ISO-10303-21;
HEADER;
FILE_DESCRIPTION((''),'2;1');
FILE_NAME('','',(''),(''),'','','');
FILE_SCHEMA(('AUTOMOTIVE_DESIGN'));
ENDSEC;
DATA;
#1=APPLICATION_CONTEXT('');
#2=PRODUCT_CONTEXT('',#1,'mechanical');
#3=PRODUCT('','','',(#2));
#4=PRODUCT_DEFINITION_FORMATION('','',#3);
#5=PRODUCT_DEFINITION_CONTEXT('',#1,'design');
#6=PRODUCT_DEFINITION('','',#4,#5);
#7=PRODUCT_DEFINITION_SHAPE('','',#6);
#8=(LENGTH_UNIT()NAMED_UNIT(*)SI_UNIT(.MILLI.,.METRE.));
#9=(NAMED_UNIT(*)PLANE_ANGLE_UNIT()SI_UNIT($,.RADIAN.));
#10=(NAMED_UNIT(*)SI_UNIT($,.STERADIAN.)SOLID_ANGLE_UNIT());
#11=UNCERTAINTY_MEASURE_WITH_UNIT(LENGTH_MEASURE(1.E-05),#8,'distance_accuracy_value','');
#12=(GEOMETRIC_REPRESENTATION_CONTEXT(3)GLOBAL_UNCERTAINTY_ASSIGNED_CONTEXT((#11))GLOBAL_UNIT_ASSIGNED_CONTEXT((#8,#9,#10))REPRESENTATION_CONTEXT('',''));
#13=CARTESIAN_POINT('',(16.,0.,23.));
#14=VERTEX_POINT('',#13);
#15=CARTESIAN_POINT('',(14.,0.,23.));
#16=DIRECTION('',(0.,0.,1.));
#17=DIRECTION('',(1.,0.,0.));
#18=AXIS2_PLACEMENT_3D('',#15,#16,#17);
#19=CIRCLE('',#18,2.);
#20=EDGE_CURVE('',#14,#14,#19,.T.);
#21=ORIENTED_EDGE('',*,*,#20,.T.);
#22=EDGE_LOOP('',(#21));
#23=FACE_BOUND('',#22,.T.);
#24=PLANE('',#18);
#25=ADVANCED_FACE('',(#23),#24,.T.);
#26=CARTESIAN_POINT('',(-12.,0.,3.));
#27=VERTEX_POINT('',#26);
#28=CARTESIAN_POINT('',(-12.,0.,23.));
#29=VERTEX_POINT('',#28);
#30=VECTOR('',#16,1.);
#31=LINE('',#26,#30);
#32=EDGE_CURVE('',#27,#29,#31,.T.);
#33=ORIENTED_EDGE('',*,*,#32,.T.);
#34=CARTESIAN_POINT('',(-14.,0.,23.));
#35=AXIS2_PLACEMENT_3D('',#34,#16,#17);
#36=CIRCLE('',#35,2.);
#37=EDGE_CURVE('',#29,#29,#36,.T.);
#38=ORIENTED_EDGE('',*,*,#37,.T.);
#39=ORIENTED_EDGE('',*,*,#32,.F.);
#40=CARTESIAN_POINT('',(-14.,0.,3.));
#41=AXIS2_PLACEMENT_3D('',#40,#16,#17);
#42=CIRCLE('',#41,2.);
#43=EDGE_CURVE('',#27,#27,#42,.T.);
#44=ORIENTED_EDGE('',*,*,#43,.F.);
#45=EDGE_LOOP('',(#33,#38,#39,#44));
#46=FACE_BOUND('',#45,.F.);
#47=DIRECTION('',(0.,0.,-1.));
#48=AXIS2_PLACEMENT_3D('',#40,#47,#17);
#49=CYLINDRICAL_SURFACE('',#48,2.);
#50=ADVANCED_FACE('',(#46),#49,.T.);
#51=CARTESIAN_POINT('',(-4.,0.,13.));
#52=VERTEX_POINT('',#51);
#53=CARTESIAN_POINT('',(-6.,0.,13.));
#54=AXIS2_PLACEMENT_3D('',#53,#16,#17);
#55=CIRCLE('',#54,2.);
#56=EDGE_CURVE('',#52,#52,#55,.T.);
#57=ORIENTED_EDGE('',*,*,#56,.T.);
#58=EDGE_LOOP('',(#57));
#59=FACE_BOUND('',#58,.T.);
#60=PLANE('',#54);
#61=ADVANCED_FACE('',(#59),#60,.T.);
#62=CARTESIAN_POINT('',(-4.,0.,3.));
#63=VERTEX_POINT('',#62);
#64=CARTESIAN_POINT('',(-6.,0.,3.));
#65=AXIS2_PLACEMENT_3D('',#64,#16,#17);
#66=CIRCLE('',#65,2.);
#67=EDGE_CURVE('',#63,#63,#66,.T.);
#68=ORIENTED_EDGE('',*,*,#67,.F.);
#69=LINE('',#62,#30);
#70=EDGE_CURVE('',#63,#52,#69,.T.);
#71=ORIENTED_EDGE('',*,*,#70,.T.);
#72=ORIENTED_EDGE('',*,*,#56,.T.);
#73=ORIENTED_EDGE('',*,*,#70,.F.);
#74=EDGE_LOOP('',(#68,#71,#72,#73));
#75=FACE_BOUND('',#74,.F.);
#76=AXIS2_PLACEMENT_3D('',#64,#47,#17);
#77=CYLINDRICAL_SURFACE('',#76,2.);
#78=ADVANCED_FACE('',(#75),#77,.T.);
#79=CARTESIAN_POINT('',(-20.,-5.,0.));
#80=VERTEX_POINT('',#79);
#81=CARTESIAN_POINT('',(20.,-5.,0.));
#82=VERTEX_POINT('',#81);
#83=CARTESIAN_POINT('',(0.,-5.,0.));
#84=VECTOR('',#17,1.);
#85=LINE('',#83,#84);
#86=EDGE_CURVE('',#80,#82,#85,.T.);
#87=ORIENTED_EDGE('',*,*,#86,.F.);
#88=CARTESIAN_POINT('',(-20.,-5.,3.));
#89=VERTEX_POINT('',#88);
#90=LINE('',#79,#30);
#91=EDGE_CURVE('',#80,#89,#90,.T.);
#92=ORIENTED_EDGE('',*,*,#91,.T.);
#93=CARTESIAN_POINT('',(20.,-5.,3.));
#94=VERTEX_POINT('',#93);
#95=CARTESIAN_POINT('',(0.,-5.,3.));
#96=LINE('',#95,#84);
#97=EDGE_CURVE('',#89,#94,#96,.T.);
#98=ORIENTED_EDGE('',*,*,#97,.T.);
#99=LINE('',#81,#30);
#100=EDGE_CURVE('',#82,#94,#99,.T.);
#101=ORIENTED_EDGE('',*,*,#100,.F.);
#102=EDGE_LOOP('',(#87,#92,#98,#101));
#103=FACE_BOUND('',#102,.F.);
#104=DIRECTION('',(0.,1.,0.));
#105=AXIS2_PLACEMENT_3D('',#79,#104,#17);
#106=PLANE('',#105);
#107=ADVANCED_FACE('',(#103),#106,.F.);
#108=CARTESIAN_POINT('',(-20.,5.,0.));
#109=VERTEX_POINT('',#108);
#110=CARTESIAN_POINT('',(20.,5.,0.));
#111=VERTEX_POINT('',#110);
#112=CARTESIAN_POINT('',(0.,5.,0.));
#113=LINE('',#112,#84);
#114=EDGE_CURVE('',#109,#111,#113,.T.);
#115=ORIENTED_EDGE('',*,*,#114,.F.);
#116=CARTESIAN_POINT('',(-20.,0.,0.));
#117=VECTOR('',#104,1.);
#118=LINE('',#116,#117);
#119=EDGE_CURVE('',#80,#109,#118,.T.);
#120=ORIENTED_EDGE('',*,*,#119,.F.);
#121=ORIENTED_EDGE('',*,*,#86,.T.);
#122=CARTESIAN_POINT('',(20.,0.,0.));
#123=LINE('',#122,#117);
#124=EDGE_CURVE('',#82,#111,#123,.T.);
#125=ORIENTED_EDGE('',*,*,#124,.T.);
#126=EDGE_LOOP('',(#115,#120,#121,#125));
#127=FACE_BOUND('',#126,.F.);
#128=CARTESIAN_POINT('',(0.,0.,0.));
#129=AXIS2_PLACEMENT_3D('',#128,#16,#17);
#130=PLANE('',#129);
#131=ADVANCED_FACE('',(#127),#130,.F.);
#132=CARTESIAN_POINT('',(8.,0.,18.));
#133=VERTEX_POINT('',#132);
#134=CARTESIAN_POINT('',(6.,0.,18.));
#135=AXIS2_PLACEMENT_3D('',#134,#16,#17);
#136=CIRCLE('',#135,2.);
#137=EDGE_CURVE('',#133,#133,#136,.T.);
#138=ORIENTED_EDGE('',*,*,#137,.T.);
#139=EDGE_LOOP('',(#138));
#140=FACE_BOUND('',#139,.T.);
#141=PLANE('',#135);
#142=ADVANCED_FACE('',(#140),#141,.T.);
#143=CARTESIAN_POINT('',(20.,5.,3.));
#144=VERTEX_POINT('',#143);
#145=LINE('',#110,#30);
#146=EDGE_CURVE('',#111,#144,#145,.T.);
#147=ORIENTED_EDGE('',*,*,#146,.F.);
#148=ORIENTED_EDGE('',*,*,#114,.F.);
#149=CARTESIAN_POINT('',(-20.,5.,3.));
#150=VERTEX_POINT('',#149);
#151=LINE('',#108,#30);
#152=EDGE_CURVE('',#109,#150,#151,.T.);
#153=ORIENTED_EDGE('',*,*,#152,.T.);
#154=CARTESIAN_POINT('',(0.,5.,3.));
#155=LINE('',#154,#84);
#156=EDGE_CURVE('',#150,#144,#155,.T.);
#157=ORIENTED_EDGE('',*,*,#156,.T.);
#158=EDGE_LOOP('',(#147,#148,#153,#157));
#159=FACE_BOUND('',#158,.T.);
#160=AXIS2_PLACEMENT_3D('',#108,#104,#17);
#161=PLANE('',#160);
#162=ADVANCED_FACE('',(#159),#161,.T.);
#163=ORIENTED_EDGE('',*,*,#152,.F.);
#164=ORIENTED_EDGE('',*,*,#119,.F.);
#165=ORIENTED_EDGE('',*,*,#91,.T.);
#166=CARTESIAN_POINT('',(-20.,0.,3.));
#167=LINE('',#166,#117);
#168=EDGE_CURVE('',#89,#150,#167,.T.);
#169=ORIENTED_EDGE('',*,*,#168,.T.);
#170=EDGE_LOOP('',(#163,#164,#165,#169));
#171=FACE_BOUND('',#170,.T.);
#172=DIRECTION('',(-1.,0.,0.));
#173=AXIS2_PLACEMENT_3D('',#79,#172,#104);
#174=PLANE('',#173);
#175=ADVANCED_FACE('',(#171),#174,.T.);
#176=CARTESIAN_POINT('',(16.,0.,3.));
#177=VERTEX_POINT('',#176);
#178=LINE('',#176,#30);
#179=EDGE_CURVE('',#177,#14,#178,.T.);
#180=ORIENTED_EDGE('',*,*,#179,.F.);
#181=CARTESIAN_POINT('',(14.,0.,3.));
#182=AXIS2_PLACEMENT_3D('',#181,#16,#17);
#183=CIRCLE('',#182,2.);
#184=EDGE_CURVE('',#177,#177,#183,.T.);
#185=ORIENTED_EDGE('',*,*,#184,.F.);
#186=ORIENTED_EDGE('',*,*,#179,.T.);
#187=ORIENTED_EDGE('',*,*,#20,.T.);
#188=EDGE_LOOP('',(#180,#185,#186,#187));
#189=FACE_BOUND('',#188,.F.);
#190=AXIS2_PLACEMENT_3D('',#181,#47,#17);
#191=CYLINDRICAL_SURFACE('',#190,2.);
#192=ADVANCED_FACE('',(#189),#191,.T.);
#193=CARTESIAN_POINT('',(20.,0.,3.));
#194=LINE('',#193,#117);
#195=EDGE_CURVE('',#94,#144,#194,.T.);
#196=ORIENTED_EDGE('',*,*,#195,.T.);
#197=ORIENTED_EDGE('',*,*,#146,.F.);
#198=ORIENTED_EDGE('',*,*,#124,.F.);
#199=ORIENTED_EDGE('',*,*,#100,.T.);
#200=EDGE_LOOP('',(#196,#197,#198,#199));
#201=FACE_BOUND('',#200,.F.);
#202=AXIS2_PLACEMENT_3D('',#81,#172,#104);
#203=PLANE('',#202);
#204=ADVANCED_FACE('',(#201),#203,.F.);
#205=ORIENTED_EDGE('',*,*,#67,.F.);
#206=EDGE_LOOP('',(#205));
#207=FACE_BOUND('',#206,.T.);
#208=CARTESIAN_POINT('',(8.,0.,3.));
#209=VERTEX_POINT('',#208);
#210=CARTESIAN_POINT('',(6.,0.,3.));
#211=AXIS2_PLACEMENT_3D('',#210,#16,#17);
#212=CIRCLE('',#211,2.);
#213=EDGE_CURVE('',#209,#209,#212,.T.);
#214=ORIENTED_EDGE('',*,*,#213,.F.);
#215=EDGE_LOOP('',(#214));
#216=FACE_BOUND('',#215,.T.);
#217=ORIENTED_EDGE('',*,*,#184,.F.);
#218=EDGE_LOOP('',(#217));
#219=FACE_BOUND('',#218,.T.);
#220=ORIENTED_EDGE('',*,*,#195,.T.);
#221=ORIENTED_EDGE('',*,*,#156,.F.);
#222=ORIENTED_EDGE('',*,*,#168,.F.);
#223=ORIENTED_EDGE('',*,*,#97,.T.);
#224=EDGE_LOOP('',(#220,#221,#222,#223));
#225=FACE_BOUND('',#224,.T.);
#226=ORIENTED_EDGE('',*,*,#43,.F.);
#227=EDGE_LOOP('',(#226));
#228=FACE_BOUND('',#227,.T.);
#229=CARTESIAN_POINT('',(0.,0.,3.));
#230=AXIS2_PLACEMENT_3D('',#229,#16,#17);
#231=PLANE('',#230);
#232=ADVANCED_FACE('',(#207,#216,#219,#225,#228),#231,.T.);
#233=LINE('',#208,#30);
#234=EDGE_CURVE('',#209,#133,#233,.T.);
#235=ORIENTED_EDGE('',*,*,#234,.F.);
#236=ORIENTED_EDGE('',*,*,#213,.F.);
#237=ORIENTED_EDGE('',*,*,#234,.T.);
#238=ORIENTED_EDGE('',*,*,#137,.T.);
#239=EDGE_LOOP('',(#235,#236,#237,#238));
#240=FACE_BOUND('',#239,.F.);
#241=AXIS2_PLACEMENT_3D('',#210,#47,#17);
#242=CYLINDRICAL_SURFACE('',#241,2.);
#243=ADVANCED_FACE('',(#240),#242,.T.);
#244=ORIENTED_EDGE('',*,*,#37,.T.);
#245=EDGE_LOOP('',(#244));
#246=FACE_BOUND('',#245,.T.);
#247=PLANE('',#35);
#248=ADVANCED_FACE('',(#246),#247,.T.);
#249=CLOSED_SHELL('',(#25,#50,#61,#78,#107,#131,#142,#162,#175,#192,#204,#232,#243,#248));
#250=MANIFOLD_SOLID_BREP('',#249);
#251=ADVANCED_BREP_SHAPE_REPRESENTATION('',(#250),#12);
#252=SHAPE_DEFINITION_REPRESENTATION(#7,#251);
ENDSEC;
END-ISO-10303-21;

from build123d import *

# Parameters (mm, degrees)
F0_W     = 40
F0_H     = 10
F1_DEPTH = 3
F2_R     = 2
F3_DEPTH = 20
F4_DEPTH = 10
F5_DEPTH = 15


with BuildPart() as f1:
    # F0 (on Top) → F1 (new body)
    with BuildSketch(Plane.XY):
        Rectangle(F0_W, F0_H)
    extrude(amount=F1_DEPTH)

    # F2 (on face) → F3 (join)
    with BuildSketch(Plane.XY.offset(3)):
        with Locations((-14, 0)):
            Circle(F2_R)
        with Locations((14, 0)):
            Circle(F2_R)
    extrude(amount=F3_DEPTH)

    # F2 (on face) → F4 (join)
    with BuildSketch(Plane.XY.offset(3)):
        with Locations((-6, 0)):
            Circle(F2_R)
    extrude(amount=F4_DEPTH)

    # F2 (on face) → F5 (join)
    with BuildSketch(Plane.XY.offset(3)):
        with Locations((6, 0)):
            Circle(F2_R)
    extrude(amount=F5_DEPTH)


solid = f1.part
